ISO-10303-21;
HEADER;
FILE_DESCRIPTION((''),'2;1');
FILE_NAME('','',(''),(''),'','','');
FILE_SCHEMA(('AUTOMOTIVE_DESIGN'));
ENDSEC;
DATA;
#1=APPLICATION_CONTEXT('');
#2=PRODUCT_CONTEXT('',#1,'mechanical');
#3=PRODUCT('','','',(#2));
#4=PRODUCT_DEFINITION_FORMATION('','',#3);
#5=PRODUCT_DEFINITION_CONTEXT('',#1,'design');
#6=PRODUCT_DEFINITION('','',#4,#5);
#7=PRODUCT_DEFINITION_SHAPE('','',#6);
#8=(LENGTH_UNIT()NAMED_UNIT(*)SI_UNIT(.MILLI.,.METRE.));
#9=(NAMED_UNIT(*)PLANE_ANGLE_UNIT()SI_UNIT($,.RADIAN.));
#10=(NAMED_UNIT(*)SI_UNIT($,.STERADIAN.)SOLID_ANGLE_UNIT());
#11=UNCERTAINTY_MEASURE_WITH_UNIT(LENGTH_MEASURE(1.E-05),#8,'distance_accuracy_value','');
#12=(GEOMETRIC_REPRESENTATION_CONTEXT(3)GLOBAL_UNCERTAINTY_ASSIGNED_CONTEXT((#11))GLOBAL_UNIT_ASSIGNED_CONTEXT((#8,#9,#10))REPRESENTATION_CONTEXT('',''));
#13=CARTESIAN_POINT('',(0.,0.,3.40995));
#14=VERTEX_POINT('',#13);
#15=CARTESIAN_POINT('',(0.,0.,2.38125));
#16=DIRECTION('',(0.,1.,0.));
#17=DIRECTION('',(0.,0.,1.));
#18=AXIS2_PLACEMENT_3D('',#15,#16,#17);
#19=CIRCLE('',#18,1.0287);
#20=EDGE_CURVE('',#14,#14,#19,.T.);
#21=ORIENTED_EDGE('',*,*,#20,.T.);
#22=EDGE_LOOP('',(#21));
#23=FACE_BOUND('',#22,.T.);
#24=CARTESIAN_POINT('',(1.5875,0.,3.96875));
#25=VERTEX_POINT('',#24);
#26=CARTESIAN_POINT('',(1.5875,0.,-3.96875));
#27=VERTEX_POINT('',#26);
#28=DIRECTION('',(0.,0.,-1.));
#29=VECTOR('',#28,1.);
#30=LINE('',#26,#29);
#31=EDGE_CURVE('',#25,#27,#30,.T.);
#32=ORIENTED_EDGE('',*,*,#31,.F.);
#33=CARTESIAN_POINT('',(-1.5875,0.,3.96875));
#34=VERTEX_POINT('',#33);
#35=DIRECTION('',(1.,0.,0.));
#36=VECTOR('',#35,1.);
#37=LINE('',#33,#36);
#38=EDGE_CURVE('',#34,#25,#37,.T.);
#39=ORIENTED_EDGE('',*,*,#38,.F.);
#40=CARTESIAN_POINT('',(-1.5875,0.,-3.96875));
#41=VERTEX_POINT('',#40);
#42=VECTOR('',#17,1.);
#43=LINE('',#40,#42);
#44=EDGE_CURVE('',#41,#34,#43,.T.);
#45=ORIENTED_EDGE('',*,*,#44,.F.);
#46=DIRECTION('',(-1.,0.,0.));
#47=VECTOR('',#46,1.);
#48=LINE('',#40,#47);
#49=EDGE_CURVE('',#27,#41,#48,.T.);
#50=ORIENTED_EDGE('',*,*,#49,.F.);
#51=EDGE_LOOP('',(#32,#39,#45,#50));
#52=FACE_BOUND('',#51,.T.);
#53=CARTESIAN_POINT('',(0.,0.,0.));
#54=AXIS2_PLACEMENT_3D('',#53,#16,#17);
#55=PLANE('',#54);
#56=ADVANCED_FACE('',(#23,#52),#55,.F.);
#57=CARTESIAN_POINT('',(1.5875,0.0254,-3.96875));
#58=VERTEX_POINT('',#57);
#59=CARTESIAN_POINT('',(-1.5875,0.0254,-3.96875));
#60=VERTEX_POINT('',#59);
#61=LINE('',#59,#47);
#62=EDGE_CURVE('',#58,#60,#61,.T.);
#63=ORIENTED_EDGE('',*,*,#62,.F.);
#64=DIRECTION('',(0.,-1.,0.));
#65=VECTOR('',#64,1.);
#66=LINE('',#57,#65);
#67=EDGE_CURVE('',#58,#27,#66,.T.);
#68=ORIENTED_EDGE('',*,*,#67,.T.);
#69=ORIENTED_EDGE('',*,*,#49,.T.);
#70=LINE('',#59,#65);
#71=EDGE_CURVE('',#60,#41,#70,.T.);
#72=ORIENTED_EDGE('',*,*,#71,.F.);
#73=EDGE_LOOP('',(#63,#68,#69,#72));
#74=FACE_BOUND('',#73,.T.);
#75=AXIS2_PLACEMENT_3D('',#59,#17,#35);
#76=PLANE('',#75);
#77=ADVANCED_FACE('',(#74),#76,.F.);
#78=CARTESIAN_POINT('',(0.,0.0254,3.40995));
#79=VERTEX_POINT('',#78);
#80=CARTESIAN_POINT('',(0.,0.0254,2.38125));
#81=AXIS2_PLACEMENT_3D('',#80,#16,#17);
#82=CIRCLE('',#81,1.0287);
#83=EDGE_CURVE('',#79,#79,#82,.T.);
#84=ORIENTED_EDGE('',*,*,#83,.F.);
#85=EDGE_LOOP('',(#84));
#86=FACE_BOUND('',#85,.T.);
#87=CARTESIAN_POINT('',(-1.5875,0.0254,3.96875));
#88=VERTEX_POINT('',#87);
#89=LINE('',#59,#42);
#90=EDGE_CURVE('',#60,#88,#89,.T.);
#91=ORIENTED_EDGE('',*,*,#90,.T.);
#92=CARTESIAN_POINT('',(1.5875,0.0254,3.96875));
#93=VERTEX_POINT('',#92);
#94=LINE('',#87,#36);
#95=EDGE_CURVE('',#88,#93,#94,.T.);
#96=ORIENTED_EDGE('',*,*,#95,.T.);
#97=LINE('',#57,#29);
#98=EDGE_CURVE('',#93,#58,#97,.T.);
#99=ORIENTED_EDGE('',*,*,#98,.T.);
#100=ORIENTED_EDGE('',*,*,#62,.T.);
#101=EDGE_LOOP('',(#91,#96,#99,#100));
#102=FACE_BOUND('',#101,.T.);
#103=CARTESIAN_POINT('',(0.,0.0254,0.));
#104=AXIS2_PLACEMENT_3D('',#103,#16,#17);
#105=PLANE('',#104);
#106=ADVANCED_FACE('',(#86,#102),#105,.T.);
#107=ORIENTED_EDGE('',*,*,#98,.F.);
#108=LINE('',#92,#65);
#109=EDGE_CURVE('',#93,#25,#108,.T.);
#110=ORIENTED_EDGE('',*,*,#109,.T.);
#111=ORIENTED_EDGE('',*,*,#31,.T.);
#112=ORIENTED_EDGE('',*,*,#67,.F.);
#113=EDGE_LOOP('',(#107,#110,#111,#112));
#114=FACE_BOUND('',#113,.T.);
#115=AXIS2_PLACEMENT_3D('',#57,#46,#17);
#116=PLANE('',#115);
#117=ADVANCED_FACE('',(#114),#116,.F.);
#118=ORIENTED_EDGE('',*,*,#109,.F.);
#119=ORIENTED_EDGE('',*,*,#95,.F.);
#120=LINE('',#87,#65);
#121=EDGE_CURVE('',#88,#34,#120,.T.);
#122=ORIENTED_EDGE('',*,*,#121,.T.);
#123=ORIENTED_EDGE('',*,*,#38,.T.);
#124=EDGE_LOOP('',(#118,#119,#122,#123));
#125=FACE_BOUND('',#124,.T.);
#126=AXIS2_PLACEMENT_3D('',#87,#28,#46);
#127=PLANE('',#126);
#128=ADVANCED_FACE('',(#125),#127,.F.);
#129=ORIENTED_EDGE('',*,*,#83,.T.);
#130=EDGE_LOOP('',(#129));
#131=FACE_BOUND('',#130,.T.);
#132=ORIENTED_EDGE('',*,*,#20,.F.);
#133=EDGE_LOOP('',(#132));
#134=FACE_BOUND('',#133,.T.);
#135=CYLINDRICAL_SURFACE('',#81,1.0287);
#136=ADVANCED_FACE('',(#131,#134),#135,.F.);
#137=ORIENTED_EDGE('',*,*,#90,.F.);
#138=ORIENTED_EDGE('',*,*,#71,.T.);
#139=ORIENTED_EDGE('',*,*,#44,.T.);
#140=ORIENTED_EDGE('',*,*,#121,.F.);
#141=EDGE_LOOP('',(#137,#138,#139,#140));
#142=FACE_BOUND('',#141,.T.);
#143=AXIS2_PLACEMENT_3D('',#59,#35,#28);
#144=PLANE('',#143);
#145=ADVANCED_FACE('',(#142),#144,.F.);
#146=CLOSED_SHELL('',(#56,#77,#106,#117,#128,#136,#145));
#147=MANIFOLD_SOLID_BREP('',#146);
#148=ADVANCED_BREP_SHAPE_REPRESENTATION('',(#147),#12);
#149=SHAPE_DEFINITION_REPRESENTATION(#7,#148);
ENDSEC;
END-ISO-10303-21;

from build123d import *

# Parameters (mm, degrees)
SKETCH1_W             = 3.175
SKETCH1_H             = 7.9375
BOSS_EXTRUDE1_DEPTH   = 0.0254
F_1_CLEARANCE_HOLE1_D = 2.0574


with BuildPart() as part:
    # Sketch1 → Boss-Extrude1 (new body)
    with BuildSketch(Plane(origin=(0, 0, 0), x_dir=(1, 0, 0), z_dir=(0, 1, 0))):
        Rectangle(SKETCH1_W, SKETCH1_H)
    extrude(amount=BOSS_EXTRUDE1_DEPTH)

    # #1 Clearance Hole1 (through all)
    with Locations(Plane(origin=(0, 0.0254, 0), x_dir=(1, 0, 0), z_dir=(0, 1, 0))):
        with Locations((0, -2.38125)):
            Hole(F_1_CLEARANCE_HOLE1_D / 2)


solid = part.part
